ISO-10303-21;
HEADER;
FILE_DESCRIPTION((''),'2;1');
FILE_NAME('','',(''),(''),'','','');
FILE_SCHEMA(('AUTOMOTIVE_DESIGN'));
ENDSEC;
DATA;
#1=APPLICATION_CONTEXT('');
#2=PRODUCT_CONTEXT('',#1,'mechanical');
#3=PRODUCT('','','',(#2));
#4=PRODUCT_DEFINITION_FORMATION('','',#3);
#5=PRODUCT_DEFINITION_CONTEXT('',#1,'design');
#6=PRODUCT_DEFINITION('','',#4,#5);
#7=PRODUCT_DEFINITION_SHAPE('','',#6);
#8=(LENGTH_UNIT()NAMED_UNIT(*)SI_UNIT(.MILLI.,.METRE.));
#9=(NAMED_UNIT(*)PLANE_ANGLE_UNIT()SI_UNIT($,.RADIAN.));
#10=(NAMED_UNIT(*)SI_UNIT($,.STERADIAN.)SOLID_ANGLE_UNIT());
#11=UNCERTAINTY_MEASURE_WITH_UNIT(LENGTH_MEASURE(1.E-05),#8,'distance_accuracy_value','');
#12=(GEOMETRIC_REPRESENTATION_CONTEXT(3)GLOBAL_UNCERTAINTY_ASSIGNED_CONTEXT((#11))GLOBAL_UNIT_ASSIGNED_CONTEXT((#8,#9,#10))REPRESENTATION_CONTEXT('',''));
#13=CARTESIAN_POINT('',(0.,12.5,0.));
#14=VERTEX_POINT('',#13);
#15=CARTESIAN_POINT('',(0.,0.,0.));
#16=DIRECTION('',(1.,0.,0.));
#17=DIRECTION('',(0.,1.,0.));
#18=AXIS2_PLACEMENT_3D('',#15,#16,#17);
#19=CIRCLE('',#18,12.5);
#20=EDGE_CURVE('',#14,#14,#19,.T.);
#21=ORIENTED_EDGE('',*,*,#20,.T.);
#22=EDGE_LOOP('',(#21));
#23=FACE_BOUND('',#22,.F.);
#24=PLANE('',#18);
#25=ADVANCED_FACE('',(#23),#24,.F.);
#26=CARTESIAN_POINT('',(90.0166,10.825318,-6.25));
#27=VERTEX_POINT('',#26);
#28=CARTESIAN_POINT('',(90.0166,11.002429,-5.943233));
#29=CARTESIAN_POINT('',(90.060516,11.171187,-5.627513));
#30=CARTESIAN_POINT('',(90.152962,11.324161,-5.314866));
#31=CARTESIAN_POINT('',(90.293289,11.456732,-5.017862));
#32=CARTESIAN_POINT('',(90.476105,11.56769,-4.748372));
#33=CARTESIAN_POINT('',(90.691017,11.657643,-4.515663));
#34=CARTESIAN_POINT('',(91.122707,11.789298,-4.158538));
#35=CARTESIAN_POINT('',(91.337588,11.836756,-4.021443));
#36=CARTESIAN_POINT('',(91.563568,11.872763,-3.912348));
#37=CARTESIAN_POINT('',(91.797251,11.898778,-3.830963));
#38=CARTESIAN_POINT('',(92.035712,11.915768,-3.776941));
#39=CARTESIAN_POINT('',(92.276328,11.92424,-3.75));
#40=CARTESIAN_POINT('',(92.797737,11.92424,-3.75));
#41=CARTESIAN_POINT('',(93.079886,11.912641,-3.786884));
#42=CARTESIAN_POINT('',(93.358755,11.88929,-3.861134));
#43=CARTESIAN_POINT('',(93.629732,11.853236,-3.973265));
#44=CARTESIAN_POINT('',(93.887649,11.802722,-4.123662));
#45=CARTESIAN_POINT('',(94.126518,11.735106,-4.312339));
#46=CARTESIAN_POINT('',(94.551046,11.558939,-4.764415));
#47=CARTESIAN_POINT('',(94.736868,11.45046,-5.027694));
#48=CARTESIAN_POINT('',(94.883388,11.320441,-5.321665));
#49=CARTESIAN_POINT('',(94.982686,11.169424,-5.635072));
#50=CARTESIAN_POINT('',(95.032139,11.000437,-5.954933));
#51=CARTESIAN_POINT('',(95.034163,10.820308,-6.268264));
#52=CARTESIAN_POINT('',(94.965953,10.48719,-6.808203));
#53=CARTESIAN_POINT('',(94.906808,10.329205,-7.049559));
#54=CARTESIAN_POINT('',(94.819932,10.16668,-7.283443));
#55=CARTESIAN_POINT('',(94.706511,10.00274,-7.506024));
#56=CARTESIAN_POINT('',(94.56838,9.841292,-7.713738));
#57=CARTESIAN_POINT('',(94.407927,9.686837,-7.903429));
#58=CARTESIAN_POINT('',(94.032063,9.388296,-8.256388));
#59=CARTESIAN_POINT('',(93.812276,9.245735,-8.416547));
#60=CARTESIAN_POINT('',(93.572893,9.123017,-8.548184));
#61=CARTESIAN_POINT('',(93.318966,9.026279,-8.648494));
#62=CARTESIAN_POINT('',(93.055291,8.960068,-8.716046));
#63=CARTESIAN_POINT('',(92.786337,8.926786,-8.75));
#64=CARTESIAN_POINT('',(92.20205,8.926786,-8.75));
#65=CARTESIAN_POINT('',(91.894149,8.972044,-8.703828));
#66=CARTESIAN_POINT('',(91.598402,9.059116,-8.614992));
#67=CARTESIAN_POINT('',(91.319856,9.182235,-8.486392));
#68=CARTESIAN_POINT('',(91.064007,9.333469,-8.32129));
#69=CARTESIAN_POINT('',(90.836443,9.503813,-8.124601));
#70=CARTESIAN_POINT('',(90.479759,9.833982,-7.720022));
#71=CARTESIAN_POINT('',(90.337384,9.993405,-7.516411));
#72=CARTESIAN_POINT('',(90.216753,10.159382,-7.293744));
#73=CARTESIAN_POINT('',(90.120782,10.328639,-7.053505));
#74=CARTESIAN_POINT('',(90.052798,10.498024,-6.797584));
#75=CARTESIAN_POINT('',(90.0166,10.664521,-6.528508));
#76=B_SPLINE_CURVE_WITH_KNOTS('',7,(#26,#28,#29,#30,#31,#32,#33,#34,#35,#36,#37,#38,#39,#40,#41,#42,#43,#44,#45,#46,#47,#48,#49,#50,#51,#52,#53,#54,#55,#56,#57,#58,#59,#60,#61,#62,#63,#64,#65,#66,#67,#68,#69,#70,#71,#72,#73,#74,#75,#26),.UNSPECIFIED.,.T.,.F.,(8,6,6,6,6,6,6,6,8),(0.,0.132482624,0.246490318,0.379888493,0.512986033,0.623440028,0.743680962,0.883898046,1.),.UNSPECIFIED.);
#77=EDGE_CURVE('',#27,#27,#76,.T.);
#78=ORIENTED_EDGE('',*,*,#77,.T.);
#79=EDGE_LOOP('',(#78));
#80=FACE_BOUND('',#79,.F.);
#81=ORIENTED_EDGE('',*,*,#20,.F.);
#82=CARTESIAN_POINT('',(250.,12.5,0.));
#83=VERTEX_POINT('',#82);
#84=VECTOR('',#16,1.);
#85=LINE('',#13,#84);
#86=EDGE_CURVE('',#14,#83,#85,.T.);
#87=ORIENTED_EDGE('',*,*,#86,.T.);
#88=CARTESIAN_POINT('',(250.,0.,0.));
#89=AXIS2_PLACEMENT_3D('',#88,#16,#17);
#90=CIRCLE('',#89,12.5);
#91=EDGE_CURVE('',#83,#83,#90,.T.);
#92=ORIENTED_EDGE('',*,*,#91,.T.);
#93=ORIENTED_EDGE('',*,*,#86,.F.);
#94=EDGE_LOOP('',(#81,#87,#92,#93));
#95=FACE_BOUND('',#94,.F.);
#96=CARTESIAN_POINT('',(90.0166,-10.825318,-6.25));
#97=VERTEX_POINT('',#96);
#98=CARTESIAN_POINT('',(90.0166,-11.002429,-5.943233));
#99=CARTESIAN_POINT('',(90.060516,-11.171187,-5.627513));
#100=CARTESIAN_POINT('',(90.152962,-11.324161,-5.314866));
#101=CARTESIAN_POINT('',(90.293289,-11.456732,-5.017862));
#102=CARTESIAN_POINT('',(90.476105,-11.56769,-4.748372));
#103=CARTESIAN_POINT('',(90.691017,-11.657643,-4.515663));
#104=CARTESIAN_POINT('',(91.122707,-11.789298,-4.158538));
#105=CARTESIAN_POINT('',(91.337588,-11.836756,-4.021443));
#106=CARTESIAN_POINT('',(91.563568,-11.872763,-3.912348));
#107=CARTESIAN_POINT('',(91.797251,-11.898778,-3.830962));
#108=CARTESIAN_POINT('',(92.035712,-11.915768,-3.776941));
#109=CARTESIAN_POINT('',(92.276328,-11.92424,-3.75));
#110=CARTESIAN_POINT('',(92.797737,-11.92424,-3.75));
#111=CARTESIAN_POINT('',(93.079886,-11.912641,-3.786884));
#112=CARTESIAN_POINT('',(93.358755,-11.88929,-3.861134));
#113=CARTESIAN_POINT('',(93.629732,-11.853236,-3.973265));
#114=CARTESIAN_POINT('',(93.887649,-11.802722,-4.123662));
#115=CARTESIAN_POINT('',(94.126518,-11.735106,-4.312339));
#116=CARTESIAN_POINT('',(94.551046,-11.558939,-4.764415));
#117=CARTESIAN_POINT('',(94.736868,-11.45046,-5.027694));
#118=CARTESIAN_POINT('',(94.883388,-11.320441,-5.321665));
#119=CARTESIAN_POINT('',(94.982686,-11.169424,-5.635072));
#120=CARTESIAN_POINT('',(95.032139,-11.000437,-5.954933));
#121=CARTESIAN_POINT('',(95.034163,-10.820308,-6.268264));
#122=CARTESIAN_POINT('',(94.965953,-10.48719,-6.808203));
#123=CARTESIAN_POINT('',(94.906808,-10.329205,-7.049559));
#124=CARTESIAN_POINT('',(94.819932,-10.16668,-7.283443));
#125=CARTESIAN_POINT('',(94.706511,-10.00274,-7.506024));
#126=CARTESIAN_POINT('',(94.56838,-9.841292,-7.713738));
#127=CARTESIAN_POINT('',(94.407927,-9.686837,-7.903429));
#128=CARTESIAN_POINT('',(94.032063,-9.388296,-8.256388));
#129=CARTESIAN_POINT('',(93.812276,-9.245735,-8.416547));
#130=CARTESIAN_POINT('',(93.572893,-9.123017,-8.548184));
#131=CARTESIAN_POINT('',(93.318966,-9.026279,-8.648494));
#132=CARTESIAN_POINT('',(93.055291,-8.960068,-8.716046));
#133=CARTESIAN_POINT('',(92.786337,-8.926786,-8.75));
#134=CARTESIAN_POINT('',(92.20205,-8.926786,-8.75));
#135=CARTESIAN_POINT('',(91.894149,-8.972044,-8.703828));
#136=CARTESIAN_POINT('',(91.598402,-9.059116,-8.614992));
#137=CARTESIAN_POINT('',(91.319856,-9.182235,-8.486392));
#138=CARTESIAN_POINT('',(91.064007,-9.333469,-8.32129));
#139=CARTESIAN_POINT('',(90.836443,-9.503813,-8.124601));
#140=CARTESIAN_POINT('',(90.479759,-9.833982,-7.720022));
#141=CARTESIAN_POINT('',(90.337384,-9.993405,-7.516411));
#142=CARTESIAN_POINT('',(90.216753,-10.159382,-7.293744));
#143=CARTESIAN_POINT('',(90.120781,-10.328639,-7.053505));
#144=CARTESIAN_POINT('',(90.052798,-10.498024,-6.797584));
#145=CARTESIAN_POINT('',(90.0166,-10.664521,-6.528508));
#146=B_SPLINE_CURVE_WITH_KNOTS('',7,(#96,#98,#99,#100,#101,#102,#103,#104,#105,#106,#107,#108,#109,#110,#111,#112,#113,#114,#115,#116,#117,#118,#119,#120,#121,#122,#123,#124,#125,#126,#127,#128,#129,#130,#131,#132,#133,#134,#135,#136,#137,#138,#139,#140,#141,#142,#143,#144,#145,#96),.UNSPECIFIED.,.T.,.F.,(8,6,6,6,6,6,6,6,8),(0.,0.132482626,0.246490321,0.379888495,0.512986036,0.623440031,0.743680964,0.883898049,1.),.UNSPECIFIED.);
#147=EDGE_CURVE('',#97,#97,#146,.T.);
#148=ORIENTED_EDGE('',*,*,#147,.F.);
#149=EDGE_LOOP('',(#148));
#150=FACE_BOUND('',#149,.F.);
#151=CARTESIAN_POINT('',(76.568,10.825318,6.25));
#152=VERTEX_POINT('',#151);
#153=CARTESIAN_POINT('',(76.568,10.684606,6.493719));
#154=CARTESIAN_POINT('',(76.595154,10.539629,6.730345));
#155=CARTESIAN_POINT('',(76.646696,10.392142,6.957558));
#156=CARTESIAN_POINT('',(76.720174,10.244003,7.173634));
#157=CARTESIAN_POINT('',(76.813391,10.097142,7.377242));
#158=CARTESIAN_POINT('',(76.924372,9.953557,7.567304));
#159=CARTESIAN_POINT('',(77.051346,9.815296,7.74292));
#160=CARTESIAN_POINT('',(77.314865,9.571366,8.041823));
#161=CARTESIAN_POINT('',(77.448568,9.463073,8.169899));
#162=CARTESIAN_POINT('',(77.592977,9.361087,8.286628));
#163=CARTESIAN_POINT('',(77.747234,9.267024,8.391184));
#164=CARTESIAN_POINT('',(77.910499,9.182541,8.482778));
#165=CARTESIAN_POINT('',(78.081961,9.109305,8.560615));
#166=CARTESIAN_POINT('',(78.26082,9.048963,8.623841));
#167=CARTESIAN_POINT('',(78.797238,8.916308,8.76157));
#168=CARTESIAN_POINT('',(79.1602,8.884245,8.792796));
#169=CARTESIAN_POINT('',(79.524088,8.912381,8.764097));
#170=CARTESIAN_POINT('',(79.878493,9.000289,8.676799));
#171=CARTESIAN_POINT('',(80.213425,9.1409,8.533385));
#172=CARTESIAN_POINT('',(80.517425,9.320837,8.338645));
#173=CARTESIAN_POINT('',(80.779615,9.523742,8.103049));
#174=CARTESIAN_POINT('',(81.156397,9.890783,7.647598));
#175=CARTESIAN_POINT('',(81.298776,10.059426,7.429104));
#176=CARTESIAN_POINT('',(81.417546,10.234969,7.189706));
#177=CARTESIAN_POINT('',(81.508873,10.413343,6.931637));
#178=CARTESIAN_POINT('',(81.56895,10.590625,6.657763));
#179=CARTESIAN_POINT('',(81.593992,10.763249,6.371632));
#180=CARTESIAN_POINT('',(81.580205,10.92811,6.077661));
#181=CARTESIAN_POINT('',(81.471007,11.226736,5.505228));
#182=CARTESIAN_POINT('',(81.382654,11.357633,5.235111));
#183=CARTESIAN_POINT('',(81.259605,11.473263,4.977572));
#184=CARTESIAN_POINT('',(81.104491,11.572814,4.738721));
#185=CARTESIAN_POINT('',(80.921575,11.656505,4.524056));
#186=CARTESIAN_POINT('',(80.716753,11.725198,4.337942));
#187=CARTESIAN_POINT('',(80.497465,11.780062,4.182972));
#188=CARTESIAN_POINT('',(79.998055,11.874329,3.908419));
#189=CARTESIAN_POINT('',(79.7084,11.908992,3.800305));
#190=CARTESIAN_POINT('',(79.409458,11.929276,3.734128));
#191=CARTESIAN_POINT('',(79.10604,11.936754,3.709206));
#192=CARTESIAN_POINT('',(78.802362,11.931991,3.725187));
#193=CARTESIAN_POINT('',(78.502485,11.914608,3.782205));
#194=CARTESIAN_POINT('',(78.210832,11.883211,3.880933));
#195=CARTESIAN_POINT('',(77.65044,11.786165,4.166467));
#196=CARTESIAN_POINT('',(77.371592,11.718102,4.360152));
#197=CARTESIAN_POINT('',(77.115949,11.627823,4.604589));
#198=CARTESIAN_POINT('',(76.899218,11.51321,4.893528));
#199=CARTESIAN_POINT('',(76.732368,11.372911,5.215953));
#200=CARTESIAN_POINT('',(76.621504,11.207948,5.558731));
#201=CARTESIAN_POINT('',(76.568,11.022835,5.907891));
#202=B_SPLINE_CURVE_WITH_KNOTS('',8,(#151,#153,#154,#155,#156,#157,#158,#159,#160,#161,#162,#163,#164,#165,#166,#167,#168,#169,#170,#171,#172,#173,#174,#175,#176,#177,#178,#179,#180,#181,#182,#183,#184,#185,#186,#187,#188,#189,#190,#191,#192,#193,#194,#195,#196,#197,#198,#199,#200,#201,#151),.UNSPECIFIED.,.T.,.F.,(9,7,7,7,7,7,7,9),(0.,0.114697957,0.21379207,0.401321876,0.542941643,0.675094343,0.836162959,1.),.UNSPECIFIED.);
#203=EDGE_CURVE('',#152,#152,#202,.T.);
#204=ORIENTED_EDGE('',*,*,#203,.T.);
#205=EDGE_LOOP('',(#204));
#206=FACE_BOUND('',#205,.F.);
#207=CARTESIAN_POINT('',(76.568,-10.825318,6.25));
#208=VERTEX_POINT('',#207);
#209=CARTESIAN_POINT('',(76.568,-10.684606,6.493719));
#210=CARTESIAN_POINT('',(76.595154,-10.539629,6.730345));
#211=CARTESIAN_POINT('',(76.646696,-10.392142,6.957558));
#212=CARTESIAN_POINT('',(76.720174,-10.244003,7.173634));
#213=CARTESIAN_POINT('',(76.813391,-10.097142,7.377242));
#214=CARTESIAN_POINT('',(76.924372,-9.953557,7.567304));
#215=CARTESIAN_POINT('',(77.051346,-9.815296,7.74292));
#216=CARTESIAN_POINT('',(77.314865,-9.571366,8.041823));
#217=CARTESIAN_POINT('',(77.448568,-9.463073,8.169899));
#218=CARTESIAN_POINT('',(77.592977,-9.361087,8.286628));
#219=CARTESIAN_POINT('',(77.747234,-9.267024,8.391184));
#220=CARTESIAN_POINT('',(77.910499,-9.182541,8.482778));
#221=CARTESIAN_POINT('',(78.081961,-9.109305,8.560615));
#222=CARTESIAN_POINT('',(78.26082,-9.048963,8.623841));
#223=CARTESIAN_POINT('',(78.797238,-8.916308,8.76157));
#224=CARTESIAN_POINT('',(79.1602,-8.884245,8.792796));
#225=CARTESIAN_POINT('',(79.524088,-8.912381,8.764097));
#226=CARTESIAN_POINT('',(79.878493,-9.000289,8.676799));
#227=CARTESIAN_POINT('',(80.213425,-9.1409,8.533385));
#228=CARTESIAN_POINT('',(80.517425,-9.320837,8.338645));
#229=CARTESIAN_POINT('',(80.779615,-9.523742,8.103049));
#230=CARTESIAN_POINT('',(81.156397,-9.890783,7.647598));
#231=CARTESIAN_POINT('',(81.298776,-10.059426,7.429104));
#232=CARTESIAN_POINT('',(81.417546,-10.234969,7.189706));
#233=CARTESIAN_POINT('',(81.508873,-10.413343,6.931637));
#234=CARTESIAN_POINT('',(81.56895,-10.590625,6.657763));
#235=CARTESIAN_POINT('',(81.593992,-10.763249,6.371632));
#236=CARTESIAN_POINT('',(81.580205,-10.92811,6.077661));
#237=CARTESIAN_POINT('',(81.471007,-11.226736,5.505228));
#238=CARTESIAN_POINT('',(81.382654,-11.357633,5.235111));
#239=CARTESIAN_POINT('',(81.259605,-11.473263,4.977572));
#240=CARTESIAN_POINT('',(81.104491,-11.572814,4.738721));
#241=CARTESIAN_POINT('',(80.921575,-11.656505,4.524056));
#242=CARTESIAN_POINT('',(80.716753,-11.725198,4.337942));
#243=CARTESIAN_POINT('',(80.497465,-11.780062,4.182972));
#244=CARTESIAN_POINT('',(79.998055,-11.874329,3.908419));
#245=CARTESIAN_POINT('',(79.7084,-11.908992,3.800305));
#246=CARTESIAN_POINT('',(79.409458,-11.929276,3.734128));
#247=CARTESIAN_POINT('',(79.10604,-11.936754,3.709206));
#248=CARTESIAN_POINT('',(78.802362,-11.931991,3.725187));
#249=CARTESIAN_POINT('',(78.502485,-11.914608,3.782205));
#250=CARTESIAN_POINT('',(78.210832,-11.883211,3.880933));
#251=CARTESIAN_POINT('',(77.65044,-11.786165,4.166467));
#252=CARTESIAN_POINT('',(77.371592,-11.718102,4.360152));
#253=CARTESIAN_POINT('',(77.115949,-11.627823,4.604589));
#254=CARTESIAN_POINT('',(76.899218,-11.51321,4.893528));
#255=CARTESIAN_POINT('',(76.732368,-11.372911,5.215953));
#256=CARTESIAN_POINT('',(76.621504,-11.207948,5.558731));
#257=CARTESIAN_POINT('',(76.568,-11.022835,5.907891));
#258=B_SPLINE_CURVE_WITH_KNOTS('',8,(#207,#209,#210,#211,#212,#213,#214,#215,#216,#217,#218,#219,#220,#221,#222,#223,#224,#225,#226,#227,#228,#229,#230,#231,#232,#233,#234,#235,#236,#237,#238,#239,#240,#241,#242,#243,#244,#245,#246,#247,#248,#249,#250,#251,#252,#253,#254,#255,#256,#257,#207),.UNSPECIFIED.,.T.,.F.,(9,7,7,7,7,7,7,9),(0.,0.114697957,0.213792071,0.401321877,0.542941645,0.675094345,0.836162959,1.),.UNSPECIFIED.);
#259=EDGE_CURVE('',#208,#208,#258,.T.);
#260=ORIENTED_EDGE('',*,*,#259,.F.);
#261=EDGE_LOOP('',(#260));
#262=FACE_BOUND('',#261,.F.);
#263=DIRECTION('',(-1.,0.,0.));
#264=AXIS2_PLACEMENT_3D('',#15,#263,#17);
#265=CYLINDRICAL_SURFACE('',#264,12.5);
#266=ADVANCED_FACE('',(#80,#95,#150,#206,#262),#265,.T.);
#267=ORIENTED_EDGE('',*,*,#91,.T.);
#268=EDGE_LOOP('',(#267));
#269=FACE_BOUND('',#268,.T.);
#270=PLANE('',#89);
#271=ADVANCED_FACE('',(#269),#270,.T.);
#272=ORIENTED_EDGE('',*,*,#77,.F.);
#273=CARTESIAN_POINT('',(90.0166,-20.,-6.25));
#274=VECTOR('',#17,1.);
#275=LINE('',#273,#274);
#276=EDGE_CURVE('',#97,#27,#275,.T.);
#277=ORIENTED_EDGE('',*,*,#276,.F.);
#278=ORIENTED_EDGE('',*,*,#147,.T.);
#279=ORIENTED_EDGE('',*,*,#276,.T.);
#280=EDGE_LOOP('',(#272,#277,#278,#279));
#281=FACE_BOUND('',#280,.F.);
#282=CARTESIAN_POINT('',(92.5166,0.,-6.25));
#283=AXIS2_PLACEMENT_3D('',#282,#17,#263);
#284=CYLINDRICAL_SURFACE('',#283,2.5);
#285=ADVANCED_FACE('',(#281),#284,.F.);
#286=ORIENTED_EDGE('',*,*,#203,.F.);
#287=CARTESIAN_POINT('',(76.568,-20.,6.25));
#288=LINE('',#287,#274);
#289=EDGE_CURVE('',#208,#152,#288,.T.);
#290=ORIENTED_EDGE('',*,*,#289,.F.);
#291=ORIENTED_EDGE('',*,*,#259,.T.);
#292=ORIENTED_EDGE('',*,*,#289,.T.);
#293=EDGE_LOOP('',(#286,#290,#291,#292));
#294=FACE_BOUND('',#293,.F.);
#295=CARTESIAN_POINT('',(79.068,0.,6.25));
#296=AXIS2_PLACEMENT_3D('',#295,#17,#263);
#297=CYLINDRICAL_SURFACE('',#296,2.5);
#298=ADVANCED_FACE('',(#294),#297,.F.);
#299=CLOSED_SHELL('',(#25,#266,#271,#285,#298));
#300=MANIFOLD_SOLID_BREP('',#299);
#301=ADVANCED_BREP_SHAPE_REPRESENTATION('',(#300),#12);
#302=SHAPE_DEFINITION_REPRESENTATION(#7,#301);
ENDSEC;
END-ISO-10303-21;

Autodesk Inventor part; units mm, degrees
ref_plane "YZ Plane" through (0, 0, 0) normal (1, 0, 0) x (0, 1, 0)
ref_plane "XY Plane" through (0, 0, 0) normal (0, 0, 1) x (1, 0, 0)
sketch "Sketch1" plane through (0, 0, 0) normal (1, 0, 0) x (0, 1, 0)
  circle A0 centre (0, 0) radius 12.5
  dimension "d0" = 25
extrude "Extrusion1" add sketch "Sketch1" along normal blind 250
sketch "Sketch3" plane through (0, 0, 0) normal (0, 1, 0) x (-1, 0, 0)
  line L0 (-250, 12.5) -> (-250, -12.5) projected
  line L1 (0, -12.5) -> (-250, -12.5) projected
  line L2 (-250, 12.5) -> (-200, 12.5)
  line L3 (-200, 12.5) -> (-200, -12.5)
  line L4 (-200, -12.5) -> (-250, -12.5)
  line L5 (-250, -12.5) -> (-250, 12.5)
  line L6 (-250, 12.5) -> (-200, -12.5)
  line L7 (-200, 12.5) -> (-250, -12.5)
  line L8 (-225, 0) -> (-250, 0)
  line L9 (-225, 0) -> (-200, 0)
  line L10 (0, 12.5) -> (-250, 12.5) projected
  line L11 (-212.5, 12.5) -> (-212.5, -12.5)
  line L12 (-237.5, 12.5) -> (-237.5, -12.5)
  point P0 (0, 0)
  dimension "d5" = 50
sketch "Sketch4" plane through (0, 0, 0) normal (0, 1, 0) x (-1, 0, 0)
  line L0 (0, 12.5) -> (-50, 12.5)
  line L1 (-50, 12.5) -> (-50, -12.5)
  line L2 (-50, -12.5) -> (0, -12.5)
  line L3 (0, -12.5) -> (0, 12.5)
  line L4 (-50, 12.5) -> (0, -12.5)
  line L5 (0, 12.5) -> (-50, -12.5)
  line L6 (-25, 12.5) -> (-25, 0)
  line L7 (-25, 0) -> (-25, -12.5)
  line L8 (0, 0) -> (-50, 0)
  line L9 (-50, 12.5) -> (-108.1359, 12.5)
  line L10 (-108.1359, 12.5) -> (-108.1359, -12.5)
  line L11 (-108.1359, -12.5) -> (-50, -12.5)
  line L12 (-50, -12.5) -> (-50, 12.5)
  line L13 (-108.1359, 12.5) -> (-50, -12.5)
  line L14 (-50, 12.5) -> (-108.1359, -12.5)
  line L15 (-79.068, 12.5) -> (-79.068, -12.5)
  circle A0 centre (-92.5166, -6.25) radius 2.5
  circle A1 centre (-79.068, 6.25) radius 2.5
  circle A2 centre (-79.068, 6.25) radius 8.5
  circle A3 centre (-92.5166, -6.25) radius 8.5
  point P0 (-31.25, 12.5)
  point P1 (-31.25, -12.5)
  point P2 (-50, -6.25)
  point P3 (-50, 6.25)
  point P4 (-37.5, 6.25)
  point P5 (-37.5, -6.25)
  point P6 (-37.5, 6.25)
  point P7 (-64.534, 6.25)
  point P8 (-64.534, -6.25)
  point P9 (-62.5, -12.5)
  point P10 (-62.5, 12.5)
  point P11 (-79.068, -6.25)
  point P12 (-108.1359, -6.25)
  point P13 (-108.1359, 6.25)
  point P14 (-93.6019, 6.25)
  dimension "d6" = 50
  dimension "d7" = 25
  dimension "d8" = 0
  dimension "d9" = 12.5
  dimension "d10" = 108.1359
  dimension "d11" = 25
  dimension "d12" = 31.25
  dimension "d13" = 31.25
  dimension "d14" = 37.5
  dimension "d15" = 37.5
  dimension "d16" = 6.25
  dimension "d17" = 6.25
  dimension "d18" = 5
  dimension "d19" = 5
  dimension "d20" = 17
  dimension "d21" = 17
  dimension "d22" = 62.5
  dimension "d23" = 62.5
  dimension "d24" = 64.534
  dimension "d25" = 64.534
  dimension "d26" = 6.25
  dimension "d27" = 6.25
  dimension "d28" = 92.5166
  dimension "d29" = 6.25
  dimension "d30" = 93.6019
  dimension "d31" = 6.25
  dimension "d32" = 6.25
extrude "Extrusion3" cut sketch "Sketch4" along normal mid plane 40 contours A1 L15 | L15 A1 | A0 L14 | L14 A0
properties part number "cylindre1"
